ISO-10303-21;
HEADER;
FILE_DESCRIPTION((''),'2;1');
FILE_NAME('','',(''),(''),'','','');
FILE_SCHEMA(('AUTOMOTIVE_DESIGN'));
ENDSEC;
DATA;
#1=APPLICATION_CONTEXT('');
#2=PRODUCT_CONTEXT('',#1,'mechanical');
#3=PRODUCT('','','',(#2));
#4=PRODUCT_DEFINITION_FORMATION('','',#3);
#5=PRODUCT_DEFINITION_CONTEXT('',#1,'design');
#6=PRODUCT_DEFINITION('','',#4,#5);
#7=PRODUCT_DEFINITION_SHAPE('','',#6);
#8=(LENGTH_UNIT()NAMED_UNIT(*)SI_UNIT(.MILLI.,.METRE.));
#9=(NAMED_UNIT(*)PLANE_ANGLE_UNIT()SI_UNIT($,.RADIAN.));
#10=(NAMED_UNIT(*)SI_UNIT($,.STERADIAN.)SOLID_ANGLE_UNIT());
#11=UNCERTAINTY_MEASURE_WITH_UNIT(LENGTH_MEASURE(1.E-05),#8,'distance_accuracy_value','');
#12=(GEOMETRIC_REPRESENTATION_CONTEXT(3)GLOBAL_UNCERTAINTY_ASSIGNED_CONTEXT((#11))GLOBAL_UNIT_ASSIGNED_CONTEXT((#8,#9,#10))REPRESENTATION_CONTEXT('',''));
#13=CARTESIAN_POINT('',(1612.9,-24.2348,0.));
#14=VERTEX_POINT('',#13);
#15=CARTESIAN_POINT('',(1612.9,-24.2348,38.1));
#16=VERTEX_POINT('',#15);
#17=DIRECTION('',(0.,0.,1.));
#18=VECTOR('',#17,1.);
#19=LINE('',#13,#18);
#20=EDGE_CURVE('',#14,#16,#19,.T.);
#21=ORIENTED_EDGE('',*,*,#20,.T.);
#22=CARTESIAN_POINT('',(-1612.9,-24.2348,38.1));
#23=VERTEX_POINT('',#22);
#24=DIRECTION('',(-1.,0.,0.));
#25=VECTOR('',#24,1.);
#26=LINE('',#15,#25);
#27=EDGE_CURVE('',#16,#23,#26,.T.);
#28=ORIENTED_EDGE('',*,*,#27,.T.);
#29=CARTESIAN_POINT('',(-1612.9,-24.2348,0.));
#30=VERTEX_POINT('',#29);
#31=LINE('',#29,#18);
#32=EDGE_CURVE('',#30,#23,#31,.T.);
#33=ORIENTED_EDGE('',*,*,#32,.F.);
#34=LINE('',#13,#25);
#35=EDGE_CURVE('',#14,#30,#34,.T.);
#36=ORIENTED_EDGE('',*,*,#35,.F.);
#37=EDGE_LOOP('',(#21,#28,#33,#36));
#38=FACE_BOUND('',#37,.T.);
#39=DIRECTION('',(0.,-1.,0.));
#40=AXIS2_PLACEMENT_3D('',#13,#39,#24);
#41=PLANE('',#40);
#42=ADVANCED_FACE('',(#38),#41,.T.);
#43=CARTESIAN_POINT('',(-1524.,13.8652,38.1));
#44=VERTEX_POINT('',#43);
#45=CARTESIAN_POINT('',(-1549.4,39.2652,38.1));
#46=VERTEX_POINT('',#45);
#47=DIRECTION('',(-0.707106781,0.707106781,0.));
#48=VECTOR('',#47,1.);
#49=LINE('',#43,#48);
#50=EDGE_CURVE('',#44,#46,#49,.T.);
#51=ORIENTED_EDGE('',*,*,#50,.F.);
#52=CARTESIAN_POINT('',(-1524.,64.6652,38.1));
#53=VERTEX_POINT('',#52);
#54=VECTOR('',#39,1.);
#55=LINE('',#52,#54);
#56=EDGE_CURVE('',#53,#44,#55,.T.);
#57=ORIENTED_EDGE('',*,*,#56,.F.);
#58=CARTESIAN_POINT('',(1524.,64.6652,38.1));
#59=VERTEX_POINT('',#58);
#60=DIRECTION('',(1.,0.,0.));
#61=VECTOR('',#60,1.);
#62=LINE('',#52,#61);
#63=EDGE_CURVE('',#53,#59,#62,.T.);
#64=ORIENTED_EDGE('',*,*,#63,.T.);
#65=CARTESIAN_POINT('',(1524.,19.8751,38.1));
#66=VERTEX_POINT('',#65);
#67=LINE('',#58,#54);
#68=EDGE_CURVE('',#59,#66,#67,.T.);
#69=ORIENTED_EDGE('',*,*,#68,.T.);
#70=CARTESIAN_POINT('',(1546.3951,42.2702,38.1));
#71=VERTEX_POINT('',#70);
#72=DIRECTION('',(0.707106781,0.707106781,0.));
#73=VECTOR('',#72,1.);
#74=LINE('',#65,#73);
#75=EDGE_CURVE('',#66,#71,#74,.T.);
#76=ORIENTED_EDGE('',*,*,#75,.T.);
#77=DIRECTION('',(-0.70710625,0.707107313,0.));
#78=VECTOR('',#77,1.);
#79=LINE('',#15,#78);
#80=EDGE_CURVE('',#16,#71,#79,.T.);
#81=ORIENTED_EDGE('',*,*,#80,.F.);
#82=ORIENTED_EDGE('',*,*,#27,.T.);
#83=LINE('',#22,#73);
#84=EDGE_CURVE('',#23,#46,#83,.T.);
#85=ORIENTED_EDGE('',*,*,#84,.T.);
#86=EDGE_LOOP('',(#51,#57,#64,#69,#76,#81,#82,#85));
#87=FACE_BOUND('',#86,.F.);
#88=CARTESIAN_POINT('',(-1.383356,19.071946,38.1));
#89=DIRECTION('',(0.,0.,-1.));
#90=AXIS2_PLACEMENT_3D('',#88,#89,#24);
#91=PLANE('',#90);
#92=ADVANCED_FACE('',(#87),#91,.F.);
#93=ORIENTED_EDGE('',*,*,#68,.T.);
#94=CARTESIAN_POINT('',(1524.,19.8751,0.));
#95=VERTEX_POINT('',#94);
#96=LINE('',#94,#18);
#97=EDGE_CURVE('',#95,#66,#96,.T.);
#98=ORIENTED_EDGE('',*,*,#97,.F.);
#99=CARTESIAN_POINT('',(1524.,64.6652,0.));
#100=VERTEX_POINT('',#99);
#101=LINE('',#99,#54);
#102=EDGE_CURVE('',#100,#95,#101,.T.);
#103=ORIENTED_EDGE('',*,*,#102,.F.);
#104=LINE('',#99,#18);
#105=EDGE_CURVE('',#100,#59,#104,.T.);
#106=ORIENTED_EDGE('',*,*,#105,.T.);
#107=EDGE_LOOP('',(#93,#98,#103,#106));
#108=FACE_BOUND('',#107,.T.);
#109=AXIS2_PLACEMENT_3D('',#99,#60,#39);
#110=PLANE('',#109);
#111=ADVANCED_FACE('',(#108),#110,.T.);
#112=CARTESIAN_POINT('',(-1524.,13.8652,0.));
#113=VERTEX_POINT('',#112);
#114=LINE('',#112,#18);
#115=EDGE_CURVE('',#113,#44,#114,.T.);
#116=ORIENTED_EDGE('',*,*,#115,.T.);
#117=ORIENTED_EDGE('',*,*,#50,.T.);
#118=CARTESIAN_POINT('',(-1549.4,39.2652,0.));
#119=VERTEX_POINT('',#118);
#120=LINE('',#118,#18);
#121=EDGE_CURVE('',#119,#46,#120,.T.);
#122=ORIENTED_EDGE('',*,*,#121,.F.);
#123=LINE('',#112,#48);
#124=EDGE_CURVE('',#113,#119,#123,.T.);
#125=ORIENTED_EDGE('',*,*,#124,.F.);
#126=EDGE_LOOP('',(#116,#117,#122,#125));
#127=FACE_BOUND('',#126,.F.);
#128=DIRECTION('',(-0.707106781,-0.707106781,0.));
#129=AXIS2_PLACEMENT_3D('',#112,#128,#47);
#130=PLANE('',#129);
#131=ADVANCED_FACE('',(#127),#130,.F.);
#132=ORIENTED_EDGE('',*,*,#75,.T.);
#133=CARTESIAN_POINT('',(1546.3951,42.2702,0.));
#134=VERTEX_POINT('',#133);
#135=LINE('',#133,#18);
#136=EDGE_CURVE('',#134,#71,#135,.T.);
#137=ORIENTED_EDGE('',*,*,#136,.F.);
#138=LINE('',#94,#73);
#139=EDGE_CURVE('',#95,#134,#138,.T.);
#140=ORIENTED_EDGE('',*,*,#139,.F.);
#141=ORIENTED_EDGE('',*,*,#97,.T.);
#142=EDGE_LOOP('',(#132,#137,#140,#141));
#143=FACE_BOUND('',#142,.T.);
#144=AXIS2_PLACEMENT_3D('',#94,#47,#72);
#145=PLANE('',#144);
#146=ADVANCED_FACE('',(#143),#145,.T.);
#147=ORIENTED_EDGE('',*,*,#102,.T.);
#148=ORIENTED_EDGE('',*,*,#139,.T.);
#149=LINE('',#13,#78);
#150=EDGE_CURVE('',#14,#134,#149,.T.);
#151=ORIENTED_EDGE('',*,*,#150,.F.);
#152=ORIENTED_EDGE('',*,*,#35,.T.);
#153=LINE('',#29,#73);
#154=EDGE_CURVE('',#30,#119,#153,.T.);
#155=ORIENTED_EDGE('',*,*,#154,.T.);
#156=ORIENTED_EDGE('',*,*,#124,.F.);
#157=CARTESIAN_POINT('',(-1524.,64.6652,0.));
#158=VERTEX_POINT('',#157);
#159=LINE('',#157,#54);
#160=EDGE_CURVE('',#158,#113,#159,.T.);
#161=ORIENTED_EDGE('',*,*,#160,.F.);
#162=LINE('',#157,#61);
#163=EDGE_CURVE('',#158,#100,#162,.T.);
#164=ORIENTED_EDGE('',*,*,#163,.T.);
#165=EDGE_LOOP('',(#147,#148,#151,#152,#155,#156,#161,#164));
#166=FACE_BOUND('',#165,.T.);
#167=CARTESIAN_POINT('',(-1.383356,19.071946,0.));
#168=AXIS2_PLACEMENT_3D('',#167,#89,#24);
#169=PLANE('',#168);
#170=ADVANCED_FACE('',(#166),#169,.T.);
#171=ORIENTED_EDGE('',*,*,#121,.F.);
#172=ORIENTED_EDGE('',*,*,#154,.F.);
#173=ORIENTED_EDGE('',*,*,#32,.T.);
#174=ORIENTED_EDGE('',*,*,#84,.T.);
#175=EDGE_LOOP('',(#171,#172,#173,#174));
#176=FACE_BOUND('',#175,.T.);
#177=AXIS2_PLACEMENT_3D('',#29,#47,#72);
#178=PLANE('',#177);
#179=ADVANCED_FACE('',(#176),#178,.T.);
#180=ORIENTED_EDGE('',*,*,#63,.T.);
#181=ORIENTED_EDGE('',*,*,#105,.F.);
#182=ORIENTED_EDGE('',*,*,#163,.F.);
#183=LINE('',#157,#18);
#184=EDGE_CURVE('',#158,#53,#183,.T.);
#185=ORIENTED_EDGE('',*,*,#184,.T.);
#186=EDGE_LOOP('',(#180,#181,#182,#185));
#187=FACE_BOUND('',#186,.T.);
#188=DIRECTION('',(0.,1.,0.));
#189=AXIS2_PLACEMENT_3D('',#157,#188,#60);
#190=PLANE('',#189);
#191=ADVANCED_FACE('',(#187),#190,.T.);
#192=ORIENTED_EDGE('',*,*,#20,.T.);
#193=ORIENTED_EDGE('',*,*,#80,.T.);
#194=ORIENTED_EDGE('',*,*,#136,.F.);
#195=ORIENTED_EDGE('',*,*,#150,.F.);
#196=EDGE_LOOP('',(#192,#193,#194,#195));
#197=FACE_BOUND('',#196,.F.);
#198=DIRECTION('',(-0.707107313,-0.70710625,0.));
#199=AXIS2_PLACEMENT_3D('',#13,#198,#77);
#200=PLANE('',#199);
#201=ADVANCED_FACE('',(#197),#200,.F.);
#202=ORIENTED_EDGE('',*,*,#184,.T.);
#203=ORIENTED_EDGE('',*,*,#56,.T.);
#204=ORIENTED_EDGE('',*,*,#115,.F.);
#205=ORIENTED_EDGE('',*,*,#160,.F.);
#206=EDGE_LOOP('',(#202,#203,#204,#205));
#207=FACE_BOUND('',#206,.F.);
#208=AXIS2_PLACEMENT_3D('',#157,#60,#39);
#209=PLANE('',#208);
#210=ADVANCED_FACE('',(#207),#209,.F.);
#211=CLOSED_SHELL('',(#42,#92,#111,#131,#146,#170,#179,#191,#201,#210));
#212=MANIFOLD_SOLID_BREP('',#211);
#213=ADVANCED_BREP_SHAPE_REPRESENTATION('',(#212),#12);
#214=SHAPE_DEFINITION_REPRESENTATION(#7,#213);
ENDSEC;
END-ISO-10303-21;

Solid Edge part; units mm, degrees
sketch "Sketch1" plane through (0, 0, 0) normal (0, 0, 1) x (1, 0, 0)
  line L0 (-1524, 64.6652) -> (1524, 64.6652)
  line L1 (1524, 64.6652) -> (1524, 19.8751)
  line L2 (1524, 19.8751) -> (1546.3951, 42.2702)
  line L3 (1612.9, -24.2348) -> (1546.3951, 42.2702)
  line L4 (1612.9, -24.2348) -> (-1612.9, -24.2348)
  line L5 (-1612.9, -24.2348) -> (-1549.4, 39.2652)
  line L6 (-1524, 13.8652) -> (-1549.4, 39.2652)
  line L7 (-1524, 64.6652) -> (-1524, 13.8652)
  dimension "D1" = 3048
  dimension "D2" = 3225.8
  dimension "D3" = 88.9
  dimension "D4" = 50.8
extrude "Protrusion1" add sketch "Sketch1" along normal blind 38.1
properties material "Wood, Pine"
